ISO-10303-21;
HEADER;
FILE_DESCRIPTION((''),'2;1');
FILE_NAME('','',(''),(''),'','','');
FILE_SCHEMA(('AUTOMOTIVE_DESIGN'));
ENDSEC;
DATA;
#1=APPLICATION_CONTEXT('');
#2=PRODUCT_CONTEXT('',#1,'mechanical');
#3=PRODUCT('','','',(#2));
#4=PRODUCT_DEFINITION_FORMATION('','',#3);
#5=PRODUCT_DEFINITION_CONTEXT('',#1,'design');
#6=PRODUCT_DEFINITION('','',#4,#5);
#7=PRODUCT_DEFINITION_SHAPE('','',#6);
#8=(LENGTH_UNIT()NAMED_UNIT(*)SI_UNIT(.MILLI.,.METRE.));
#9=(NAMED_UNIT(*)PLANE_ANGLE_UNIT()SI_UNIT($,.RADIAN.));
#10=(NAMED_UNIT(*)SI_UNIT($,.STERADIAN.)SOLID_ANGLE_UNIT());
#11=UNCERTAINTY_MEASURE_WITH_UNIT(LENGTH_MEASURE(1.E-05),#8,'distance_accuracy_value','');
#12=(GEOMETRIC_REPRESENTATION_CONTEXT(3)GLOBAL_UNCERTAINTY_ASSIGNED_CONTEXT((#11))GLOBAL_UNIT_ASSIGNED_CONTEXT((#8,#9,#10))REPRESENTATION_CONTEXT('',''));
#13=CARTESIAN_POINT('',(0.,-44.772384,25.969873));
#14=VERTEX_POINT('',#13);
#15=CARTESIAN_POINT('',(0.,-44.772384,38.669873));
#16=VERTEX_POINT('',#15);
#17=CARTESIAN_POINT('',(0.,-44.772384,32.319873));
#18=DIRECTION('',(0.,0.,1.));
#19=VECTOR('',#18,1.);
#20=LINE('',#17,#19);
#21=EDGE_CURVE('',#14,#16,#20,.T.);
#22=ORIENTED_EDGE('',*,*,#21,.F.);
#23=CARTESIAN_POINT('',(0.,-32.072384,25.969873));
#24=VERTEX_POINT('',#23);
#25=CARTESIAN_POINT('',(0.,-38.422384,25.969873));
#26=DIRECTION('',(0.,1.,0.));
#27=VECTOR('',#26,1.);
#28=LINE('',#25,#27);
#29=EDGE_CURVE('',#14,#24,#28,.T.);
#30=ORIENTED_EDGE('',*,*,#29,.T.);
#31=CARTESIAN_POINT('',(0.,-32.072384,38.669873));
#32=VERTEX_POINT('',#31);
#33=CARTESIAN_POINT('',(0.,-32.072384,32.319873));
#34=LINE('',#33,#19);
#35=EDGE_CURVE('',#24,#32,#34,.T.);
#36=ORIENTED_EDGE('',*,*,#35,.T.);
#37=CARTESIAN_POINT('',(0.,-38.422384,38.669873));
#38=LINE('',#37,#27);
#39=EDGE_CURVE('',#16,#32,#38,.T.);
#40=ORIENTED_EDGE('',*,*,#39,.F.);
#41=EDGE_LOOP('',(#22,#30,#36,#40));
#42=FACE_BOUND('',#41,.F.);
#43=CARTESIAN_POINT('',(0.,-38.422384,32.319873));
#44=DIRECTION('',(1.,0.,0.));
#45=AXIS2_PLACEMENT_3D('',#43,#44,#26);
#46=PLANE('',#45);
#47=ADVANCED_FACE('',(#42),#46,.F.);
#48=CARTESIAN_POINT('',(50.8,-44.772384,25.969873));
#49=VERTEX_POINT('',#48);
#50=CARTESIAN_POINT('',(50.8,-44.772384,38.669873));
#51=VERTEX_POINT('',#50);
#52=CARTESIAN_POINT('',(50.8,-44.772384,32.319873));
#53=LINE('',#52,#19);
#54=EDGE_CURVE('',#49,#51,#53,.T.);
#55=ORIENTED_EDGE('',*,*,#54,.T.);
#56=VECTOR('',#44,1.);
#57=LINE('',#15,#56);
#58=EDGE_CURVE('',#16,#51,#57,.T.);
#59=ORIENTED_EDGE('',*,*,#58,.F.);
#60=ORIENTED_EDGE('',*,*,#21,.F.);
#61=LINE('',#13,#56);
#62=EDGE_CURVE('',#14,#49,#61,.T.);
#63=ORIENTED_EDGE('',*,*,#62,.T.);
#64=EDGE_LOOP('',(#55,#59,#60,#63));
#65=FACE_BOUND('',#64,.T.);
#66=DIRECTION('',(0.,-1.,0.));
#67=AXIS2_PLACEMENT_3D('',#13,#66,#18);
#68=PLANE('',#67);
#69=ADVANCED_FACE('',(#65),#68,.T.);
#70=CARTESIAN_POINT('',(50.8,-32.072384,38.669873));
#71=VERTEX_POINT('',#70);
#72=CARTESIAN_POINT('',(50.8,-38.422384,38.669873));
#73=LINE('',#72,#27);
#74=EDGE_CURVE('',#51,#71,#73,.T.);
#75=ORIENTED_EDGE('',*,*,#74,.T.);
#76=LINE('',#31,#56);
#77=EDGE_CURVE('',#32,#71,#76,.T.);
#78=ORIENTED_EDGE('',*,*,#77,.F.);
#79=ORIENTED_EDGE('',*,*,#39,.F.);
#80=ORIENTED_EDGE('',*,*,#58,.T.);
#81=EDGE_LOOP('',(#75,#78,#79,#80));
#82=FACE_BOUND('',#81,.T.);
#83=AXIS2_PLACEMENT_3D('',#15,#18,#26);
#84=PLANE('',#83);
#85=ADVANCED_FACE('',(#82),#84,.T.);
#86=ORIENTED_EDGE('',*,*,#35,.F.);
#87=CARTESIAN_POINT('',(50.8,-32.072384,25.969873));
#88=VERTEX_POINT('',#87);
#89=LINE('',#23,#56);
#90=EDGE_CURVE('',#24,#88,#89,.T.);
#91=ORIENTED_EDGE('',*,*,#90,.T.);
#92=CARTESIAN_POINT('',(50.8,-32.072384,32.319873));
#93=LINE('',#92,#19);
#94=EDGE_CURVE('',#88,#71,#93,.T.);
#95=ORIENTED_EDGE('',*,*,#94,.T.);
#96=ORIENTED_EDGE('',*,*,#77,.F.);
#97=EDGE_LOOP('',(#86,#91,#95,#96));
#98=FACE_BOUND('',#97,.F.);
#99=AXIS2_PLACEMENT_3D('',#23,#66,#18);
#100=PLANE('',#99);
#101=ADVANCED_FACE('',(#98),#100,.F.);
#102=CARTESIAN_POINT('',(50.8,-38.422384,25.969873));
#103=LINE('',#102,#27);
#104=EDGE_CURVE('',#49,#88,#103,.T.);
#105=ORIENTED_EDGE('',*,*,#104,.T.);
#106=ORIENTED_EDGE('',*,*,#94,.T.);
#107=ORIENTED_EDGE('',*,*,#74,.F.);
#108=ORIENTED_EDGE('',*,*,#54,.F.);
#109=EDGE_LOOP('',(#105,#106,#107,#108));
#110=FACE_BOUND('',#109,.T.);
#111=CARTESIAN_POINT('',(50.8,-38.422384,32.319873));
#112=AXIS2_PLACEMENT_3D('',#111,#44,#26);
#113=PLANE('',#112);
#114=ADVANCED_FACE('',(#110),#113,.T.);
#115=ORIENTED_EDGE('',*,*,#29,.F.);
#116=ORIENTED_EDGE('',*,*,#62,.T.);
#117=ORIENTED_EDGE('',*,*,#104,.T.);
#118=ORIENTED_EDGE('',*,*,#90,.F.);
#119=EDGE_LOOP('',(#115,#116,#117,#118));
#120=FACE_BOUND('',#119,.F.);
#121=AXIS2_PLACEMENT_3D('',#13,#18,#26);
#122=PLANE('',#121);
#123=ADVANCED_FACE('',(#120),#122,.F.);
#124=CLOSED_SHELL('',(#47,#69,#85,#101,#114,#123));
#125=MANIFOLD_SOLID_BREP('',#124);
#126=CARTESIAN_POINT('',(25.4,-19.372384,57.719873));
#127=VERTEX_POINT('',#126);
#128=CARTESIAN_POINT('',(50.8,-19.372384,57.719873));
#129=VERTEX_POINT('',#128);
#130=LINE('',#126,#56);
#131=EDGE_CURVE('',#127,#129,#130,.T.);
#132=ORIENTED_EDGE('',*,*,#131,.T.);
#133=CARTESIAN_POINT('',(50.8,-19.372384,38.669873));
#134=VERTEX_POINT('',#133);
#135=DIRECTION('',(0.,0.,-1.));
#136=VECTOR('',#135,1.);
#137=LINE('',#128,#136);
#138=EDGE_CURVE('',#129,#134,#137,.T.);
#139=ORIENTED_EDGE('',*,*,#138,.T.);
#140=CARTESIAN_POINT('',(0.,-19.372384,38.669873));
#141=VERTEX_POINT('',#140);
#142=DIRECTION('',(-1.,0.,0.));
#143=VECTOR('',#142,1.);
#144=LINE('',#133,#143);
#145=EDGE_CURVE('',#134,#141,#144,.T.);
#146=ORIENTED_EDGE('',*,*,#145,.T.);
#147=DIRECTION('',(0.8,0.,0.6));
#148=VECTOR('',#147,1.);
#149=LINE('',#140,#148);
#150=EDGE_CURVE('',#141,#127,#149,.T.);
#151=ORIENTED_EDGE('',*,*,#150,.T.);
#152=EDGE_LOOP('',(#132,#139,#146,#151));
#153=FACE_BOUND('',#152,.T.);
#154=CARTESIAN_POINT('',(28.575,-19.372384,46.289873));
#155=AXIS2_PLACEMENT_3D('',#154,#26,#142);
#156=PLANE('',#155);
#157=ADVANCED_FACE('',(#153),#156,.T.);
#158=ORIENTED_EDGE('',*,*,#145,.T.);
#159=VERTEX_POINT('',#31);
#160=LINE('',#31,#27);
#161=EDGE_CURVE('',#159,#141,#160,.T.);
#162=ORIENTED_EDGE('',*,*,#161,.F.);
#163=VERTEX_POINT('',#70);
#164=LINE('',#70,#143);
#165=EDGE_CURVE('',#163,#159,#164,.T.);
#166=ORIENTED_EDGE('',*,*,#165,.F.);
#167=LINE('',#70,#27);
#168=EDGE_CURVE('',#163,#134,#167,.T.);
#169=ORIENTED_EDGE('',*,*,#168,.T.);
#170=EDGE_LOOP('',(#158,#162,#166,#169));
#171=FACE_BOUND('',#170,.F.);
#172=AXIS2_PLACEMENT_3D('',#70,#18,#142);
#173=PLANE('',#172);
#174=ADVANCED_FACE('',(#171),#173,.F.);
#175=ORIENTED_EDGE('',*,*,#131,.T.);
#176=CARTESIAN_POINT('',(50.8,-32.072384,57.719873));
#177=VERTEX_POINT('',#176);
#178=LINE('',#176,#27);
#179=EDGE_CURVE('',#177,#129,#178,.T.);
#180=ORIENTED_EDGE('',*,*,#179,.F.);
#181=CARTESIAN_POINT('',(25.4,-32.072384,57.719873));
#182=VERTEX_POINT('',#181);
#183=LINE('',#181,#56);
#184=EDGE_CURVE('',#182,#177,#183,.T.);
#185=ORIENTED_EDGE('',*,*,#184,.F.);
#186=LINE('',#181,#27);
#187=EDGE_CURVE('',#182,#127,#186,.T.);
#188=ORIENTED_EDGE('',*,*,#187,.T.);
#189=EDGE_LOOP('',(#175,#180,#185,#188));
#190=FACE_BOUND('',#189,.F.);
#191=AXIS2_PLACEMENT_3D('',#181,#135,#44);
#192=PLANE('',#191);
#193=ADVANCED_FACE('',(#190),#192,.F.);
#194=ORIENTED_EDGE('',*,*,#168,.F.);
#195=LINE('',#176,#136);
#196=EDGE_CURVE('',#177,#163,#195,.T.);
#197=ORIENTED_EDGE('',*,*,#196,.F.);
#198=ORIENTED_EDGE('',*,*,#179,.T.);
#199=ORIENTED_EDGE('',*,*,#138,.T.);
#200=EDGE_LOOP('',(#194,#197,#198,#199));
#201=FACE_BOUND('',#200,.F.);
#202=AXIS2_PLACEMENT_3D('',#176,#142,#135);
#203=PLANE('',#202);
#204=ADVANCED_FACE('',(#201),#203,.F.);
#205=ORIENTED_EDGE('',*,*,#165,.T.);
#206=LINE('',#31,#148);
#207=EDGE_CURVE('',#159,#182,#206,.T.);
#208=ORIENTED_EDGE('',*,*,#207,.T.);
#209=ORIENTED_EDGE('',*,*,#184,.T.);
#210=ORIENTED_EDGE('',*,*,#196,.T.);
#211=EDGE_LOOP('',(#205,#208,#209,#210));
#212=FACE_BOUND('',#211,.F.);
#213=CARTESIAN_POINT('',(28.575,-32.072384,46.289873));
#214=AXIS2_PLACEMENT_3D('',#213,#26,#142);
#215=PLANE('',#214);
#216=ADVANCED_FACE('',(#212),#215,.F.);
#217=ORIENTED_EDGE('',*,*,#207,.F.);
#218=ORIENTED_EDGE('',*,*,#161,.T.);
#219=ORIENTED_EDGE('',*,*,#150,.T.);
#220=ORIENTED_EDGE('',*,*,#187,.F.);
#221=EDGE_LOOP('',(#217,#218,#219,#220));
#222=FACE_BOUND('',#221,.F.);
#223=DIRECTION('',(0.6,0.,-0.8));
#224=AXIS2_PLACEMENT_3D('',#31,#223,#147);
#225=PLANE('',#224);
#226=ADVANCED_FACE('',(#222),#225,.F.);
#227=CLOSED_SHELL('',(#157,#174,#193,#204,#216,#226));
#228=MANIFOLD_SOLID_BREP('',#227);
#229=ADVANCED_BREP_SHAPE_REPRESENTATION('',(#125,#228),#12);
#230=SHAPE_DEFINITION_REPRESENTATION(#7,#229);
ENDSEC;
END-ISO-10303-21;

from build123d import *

# Parameters (mm, degrees)
F0_W     = 12.7
F0_H     = 12.7
F1_DEPTH = 50.8
F3_DEPTH = 12.7


with BuildPart() as f1:
    # F0 (on Right) → F1 (new body)
    with BuildSketch(Plane.YZ):
        with Locations((-38.422384, 32.319873)):
            Rectangle(F0_W, F0_H)
    extrude(amount=F1_DEPTH)


with BuildPart() as f3:
    # F2 (on face) → F3 (new body)
    with BuildSketch(Plane(origin=(0, -32.072384, 0), x_dir=(-1, 0, 0), z_dir=(0, 1, 0))):
        Polygon((-50.8, 57.719873), (-50.8, 38.669873), (0, 38.669873), (-25.4, 57.719873), align=None)
    extrude(amount=F3_DEPTH)


solid = Compound([f1.part, f3.part])
